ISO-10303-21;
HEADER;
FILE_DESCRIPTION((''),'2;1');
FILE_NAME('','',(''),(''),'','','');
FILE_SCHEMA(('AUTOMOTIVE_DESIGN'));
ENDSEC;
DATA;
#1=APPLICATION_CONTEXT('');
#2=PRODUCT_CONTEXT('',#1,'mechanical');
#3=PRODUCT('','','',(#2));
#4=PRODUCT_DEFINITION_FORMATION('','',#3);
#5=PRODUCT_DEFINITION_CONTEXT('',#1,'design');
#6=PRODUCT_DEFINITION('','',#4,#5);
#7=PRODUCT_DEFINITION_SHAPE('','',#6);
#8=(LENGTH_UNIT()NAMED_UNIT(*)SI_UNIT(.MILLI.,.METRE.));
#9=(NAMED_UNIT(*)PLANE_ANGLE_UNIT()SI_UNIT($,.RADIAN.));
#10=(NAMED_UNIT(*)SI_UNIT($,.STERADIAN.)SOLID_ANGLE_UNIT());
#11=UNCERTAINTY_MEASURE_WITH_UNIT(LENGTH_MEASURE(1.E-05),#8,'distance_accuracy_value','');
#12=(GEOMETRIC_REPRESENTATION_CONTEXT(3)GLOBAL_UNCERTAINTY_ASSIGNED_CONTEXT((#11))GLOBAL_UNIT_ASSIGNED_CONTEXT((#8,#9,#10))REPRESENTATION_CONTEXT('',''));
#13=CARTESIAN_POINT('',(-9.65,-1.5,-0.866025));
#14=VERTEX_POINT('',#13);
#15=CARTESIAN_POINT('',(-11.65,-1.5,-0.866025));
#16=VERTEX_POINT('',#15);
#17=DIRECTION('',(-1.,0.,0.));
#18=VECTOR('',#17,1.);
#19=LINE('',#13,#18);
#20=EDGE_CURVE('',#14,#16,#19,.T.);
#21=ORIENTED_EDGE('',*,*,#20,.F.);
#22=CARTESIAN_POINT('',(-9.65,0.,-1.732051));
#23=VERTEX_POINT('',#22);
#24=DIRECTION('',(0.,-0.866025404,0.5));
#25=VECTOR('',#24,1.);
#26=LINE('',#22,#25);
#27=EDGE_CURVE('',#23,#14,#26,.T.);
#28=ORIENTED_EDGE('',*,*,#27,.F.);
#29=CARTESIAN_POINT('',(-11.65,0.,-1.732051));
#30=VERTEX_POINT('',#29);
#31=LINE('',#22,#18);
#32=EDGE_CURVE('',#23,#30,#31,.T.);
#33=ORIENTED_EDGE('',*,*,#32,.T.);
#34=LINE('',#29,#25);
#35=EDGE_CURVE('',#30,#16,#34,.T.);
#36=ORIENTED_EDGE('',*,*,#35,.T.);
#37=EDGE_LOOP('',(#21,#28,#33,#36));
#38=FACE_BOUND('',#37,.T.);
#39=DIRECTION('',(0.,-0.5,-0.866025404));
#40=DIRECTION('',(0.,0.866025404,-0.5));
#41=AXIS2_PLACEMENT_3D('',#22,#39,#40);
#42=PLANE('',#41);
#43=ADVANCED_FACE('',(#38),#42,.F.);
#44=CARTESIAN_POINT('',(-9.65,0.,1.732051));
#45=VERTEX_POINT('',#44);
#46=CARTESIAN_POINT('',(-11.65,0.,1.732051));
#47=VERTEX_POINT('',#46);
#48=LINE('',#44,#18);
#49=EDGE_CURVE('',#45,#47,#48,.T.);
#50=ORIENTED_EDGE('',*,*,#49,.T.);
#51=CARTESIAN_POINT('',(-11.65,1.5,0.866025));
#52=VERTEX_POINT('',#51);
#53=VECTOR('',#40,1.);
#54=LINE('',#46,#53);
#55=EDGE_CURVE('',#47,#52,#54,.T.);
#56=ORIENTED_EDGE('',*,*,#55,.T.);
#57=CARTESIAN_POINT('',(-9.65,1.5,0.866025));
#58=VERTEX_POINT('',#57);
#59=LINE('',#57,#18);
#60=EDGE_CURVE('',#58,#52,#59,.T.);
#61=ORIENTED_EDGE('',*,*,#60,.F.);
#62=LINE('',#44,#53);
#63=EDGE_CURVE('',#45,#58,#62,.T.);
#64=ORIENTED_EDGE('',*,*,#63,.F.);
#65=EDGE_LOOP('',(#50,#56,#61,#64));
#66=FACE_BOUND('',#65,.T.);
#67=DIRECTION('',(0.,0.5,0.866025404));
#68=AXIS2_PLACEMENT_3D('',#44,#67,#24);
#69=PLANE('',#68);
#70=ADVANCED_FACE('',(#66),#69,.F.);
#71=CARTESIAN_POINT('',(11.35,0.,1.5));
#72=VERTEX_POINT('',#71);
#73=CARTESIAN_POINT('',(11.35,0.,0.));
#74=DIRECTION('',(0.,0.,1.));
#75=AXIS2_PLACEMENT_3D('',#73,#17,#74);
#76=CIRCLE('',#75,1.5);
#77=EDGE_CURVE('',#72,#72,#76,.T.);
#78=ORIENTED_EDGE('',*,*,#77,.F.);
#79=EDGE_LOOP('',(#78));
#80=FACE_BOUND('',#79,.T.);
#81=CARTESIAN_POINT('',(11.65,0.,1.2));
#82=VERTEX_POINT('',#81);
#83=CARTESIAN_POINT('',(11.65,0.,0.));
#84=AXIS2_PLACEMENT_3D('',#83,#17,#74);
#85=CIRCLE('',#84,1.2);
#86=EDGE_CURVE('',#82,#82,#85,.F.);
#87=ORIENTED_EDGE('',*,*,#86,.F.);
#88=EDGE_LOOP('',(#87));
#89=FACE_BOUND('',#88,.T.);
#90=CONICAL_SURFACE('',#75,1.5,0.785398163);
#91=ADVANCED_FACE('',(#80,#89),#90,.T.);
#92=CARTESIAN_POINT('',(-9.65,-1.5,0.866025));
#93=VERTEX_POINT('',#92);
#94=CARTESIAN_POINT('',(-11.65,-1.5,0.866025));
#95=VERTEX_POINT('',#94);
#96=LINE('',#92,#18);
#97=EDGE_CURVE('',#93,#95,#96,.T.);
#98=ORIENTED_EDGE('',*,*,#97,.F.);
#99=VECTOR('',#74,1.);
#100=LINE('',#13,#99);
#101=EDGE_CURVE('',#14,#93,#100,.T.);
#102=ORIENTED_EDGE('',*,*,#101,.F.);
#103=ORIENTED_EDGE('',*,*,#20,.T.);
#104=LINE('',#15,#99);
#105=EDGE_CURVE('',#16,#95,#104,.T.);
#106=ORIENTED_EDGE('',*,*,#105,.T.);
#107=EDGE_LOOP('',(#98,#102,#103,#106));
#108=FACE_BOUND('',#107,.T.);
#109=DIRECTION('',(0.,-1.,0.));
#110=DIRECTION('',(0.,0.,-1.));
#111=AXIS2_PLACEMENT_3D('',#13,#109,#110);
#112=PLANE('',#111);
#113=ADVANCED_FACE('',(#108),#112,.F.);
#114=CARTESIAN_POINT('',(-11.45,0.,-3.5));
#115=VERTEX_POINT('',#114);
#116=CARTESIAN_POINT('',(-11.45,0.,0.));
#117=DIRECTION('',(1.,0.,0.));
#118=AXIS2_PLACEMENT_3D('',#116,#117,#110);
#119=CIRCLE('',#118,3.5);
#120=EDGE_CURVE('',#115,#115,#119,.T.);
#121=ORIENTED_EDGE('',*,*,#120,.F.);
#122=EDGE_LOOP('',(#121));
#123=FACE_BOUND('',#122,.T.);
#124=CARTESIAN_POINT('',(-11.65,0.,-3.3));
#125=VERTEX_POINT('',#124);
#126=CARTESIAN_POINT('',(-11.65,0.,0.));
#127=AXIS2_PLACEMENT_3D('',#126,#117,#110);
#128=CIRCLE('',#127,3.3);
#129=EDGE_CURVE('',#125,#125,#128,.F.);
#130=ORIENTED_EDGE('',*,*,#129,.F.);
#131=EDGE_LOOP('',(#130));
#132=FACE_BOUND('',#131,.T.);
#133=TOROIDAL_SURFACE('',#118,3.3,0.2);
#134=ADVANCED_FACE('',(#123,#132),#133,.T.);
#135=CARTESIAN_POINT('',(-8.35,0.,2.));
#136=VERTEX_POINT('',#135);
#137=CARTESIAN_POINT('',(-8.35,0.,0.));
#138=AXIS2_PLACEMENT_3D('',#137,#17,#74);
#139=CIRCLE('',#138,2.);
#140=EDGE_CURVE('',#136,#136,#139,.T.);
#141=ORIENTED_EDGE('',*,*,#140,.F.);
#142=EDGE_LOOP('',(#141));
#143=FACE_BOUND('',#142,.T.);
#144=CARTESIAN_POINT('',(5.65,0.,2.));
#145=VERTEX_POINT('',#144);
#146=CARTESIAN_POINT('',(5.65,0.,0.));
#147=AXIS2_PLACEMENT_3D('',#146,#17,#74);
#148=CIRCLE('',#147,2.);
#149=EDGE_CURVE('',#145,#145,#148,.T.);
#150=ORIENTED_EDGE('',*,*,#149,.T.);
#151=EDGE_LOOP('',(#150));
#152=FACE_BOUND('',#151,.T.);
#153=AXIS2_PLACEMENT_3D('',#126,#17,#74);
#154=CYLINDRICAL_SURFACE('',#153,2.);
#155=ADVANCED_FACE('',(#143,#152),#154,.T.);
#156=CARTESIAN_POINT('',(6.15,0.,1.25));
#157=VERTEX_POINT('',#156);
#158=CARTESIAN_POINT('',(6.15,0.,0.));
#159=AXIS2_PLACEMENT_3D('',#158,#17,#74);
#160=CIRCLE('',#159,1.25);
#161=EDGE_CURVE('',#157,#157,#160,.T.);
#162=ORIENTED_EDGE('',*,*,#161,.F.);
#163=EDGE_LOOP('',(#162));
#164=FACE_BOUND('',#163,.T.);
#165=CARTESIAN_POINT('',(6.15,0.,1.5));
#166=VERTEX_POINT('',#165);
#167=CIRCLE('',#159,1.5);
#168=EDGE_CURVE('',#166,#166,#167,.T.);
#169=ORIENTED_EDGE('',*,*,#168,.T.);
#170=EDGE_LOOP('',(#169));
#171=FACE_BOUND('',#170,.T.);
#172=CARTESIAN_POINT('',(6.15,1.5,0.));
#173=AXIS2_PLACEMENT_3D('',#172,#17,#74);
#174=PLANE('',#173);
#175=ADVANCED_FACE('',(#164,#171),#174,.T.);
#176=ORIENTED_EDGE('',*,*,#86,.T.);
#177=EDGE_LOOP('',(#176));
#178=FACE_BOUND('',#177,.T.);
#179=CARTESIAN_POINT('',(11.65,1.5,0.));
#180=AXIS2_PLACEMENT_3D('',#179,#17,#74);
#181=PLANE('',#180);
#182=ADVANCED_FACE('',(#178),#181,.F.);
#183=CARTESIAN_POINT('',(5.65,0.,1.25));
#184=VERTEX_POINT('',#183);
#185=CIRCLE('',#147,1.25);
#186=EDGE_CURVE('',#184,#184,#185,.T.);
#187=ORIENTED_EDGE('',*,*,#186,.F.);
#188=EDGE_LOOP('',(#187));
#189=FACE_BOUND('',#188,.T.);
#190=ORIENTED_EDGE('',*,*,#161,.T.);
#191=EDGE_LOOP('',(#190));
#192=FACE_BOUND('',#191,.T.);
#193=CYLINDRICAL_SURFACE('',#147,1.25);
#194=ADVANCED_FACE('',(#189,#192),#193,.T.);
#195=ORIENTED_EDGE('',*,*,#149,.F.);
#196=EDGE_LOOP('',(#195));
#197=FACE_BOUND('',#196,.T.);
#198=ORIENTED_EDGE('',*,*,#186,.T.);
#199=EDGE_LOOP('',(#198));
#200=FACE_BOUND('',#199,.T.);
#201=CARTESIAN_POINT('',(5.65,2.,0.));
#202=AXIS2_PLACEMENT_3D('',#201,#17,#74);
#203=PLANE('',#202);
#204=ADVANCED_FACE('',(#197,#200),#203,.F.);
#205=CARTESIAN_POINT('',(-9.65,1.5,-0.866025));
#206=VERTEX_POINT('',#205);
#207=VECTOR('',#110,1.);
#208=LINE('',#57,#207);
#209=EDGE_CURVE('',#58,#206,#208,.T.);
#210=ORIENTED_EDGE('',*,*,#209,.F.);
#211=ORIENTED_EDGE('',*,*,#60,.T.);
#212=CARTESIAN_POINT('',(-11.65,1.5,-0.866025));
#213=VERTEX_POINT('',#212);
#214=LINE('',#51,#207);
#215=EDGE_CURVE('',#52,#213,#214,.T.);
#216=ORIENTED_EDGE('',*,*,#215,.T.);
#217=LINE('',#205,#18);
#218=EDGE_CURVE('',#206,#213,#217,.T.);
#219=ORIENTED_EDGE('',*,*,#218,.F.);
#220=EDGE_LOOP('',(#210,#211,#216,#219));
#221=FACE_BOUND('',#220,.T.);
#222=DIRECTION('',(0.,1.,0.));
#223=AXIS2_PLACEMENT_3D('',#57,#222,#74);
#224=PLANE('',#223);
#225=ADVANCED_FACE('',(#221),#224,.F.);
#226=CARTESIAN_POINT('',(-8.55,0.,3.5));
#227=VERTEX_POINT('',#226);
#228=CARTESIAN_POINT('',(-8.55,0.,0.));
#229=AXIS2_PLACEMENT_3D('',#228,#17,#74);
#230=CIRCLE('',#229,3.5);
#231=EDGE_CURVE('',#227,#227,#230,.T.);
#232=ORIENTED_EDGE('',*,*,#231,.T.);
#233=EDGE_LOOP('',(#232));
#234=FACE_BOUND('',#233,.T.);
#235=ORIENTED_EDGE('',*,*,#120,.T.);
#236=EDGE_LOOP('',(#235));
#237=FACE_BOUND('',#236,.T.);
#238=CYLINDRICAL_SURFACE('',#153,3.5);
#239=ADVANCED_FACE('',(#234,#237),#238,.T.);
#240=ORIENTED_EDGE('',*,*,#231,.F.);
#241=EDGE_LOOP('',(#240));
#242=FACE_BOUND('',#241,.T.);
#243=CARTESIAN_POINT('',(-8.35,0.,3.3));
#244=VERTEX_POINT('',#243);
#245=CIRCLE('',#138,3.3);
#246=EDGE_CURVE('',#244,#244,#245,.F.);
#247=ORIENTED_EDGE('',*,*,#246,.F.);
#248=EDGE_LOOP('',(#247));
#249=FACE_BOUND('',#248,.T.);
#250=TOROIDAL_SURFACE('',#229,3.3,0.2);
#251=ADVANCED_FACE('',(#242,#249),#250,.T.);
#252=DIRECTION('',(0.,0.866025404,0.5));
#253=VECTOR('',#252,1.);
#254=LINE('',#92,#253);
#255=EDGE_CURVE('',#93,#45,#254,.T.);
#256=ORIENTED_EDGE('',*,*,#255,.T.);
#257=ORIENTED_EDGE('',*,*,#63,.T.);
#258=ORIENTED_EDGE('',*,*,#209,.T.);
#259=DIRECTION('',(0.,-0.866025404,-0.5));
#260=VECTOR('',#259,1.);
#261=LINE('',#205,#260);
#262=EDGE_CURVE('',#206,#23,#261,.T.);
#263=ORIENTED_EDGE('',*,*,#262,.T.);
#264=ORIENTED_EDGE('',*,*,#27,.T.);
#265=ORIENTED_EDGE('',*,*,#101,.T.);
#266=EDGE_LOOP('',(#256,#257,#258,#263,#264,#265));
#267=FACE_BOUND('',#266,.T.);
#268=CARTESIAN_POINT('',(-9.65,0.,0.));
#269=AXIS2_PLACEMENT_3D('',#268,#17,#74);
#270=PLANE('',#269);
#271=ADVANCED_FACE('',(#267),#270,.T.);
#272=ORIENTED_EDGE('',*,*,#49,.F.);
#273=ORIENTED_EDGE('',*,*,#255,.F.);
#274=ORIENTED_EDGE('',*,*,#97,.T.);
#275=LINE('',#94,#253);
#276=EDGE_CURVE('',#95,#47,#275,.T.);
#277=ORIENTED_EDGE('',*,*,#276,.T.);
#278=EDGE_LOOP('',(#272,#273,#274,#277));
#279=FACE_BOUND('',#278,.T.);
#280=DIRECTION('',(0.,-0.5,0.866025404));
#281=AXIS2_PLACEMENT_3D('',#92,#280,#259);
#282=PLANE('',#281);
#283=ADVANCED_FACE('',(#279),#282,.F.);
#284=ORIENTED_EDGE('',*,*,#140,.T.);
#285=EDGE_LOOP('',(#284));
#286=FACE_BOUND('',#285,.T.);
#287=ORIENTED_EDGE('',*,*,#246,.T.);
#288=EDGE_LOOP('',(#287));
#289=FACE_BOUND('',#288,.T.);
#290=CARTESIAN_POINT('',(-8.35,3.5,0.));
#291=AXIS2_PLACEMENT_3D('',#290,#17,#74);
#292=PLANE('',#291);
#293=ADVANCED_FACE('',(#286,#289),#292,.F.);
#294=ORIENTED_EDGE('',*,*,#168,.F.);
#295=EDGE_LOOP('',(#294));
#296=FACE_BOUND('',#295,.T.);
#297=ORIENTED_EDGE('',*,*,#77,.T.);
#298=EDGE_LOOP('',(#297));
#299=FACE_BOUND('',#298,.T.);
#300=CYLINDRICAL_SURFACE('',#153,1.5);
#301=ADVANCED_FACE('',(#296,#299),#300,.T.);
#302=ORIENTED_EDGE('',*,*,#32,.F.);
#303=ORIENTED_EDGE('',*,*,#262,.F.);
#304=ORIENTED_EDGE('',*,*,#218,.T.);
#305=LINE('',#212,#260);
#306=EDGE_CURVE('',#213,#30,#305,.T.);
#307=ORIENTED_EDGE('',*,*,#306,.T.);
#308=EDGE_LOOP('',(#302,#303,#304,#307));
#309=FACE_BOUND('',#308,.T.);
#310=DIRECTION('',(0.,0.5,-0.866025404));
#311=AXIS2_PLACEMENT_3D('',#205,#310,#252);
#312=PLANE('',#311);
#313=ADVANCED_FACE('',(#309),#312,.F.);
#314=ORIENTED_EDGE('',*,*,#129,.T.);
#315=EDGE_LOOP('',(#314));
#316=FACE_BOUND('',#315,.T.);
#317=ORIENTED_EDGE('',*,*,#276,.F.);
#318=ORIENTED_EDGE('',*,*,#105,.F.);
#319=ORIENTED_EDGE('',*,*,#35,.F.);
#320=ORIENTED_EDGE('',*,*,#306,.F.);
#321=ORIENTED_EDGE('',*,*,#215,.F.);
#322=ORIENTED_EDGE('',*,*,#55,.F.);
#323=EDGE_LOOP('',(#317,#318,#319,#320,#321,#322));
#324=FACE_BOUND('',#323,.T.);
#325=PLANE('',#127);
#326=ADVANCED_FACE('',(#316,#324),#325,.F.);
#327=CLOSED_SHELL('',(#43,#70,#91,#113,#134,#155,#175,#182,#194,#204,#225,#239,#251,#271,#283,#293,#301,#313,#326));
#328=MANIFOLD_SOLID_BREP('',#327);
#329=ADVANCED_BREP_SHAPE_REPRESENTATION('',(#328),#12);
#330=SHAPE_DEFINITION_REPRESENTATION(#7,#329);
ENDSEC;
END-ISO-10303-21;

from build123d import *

# Parameters (mm, degrees)
FILLET_1_R          = 0.2
CHAMFER_1_SIZE      = 0.3
SKETCH_3_W          = 0.5
SKETCH_3_H          = 0.25
CUT_EXTRUDE_1_DEPTH = 2


with BuildPart() as part:
    # 草图1 → 旋转1 (revolve)
    with BuildSketch(Plane.XY, mode=Mode.PRIVATE) as revolve_1_sk:
        Polygon((-11.65, 0), (-11.65, 3.5), (-8.35, 3.5), (-8.35, 2), (5.65, 2), (5.65, 1.5), (11.65, 1.5), (11.65, 0), align=None)
    revolve(revolve_1_sk.sketch.rotate(Axis((-11.65, 0, 0), (1, 0, 0)), 90), axis=Axis((-11.65, 0, 0), (1, 0, 0)))

    # 圆角1
    fillet_1_edges = [part.edges().sort_by_distance(p)[0] for p in [
        (-8.35, 0, -3.5),
        (-11.65, 0, -3.5),
    ]]
    fillet(fillet_1_edges, radius=FILLET_1_R)

    # 倒角1
    chamfer_1_edges = [part.edges().sort_by_distance(p)[0] for p in [
        (11.65, 0, -1.5),
    ]]
    chamfer(chamfer_1_edges, length=CHAMFER_1_SIZE)

    # 草图3 → 切除-旋转1 (revolve, cut)
    with BuildSketch(Plane.XY, mode=Mode.PRIVATE) as cut_revolve_1_sk:
        with Locations((5.9, 1.375)):
            Rectangle(SKETCH_3_W, SKETCH_3_H)
    revolve(cut_revolve_1_sk.sketch.rotate(Axis((5.65, 0, 0), (1, 0, 0)), 90), axis=Axis((5.65, 0, 0), (1, 0, 0)), mode=Mode.SUBTRACT)

    # 草图4 → 切除-拉伸1 (cut)
    with BuildSketch(Plane.ZY.offset(11.65)):
        Polygon((1.732050808, 0), (0.866025404, 1.5), (-0.866025404, 1.5), (-1.732050808, 0), (-0.866025404, -1.5), (0.866025404, -1.5), align=None)
    extrude(amount=-CUT_EXTRUDE_1_DEPTH, mode=Mode.SUBTRACT)


solid = part.part
